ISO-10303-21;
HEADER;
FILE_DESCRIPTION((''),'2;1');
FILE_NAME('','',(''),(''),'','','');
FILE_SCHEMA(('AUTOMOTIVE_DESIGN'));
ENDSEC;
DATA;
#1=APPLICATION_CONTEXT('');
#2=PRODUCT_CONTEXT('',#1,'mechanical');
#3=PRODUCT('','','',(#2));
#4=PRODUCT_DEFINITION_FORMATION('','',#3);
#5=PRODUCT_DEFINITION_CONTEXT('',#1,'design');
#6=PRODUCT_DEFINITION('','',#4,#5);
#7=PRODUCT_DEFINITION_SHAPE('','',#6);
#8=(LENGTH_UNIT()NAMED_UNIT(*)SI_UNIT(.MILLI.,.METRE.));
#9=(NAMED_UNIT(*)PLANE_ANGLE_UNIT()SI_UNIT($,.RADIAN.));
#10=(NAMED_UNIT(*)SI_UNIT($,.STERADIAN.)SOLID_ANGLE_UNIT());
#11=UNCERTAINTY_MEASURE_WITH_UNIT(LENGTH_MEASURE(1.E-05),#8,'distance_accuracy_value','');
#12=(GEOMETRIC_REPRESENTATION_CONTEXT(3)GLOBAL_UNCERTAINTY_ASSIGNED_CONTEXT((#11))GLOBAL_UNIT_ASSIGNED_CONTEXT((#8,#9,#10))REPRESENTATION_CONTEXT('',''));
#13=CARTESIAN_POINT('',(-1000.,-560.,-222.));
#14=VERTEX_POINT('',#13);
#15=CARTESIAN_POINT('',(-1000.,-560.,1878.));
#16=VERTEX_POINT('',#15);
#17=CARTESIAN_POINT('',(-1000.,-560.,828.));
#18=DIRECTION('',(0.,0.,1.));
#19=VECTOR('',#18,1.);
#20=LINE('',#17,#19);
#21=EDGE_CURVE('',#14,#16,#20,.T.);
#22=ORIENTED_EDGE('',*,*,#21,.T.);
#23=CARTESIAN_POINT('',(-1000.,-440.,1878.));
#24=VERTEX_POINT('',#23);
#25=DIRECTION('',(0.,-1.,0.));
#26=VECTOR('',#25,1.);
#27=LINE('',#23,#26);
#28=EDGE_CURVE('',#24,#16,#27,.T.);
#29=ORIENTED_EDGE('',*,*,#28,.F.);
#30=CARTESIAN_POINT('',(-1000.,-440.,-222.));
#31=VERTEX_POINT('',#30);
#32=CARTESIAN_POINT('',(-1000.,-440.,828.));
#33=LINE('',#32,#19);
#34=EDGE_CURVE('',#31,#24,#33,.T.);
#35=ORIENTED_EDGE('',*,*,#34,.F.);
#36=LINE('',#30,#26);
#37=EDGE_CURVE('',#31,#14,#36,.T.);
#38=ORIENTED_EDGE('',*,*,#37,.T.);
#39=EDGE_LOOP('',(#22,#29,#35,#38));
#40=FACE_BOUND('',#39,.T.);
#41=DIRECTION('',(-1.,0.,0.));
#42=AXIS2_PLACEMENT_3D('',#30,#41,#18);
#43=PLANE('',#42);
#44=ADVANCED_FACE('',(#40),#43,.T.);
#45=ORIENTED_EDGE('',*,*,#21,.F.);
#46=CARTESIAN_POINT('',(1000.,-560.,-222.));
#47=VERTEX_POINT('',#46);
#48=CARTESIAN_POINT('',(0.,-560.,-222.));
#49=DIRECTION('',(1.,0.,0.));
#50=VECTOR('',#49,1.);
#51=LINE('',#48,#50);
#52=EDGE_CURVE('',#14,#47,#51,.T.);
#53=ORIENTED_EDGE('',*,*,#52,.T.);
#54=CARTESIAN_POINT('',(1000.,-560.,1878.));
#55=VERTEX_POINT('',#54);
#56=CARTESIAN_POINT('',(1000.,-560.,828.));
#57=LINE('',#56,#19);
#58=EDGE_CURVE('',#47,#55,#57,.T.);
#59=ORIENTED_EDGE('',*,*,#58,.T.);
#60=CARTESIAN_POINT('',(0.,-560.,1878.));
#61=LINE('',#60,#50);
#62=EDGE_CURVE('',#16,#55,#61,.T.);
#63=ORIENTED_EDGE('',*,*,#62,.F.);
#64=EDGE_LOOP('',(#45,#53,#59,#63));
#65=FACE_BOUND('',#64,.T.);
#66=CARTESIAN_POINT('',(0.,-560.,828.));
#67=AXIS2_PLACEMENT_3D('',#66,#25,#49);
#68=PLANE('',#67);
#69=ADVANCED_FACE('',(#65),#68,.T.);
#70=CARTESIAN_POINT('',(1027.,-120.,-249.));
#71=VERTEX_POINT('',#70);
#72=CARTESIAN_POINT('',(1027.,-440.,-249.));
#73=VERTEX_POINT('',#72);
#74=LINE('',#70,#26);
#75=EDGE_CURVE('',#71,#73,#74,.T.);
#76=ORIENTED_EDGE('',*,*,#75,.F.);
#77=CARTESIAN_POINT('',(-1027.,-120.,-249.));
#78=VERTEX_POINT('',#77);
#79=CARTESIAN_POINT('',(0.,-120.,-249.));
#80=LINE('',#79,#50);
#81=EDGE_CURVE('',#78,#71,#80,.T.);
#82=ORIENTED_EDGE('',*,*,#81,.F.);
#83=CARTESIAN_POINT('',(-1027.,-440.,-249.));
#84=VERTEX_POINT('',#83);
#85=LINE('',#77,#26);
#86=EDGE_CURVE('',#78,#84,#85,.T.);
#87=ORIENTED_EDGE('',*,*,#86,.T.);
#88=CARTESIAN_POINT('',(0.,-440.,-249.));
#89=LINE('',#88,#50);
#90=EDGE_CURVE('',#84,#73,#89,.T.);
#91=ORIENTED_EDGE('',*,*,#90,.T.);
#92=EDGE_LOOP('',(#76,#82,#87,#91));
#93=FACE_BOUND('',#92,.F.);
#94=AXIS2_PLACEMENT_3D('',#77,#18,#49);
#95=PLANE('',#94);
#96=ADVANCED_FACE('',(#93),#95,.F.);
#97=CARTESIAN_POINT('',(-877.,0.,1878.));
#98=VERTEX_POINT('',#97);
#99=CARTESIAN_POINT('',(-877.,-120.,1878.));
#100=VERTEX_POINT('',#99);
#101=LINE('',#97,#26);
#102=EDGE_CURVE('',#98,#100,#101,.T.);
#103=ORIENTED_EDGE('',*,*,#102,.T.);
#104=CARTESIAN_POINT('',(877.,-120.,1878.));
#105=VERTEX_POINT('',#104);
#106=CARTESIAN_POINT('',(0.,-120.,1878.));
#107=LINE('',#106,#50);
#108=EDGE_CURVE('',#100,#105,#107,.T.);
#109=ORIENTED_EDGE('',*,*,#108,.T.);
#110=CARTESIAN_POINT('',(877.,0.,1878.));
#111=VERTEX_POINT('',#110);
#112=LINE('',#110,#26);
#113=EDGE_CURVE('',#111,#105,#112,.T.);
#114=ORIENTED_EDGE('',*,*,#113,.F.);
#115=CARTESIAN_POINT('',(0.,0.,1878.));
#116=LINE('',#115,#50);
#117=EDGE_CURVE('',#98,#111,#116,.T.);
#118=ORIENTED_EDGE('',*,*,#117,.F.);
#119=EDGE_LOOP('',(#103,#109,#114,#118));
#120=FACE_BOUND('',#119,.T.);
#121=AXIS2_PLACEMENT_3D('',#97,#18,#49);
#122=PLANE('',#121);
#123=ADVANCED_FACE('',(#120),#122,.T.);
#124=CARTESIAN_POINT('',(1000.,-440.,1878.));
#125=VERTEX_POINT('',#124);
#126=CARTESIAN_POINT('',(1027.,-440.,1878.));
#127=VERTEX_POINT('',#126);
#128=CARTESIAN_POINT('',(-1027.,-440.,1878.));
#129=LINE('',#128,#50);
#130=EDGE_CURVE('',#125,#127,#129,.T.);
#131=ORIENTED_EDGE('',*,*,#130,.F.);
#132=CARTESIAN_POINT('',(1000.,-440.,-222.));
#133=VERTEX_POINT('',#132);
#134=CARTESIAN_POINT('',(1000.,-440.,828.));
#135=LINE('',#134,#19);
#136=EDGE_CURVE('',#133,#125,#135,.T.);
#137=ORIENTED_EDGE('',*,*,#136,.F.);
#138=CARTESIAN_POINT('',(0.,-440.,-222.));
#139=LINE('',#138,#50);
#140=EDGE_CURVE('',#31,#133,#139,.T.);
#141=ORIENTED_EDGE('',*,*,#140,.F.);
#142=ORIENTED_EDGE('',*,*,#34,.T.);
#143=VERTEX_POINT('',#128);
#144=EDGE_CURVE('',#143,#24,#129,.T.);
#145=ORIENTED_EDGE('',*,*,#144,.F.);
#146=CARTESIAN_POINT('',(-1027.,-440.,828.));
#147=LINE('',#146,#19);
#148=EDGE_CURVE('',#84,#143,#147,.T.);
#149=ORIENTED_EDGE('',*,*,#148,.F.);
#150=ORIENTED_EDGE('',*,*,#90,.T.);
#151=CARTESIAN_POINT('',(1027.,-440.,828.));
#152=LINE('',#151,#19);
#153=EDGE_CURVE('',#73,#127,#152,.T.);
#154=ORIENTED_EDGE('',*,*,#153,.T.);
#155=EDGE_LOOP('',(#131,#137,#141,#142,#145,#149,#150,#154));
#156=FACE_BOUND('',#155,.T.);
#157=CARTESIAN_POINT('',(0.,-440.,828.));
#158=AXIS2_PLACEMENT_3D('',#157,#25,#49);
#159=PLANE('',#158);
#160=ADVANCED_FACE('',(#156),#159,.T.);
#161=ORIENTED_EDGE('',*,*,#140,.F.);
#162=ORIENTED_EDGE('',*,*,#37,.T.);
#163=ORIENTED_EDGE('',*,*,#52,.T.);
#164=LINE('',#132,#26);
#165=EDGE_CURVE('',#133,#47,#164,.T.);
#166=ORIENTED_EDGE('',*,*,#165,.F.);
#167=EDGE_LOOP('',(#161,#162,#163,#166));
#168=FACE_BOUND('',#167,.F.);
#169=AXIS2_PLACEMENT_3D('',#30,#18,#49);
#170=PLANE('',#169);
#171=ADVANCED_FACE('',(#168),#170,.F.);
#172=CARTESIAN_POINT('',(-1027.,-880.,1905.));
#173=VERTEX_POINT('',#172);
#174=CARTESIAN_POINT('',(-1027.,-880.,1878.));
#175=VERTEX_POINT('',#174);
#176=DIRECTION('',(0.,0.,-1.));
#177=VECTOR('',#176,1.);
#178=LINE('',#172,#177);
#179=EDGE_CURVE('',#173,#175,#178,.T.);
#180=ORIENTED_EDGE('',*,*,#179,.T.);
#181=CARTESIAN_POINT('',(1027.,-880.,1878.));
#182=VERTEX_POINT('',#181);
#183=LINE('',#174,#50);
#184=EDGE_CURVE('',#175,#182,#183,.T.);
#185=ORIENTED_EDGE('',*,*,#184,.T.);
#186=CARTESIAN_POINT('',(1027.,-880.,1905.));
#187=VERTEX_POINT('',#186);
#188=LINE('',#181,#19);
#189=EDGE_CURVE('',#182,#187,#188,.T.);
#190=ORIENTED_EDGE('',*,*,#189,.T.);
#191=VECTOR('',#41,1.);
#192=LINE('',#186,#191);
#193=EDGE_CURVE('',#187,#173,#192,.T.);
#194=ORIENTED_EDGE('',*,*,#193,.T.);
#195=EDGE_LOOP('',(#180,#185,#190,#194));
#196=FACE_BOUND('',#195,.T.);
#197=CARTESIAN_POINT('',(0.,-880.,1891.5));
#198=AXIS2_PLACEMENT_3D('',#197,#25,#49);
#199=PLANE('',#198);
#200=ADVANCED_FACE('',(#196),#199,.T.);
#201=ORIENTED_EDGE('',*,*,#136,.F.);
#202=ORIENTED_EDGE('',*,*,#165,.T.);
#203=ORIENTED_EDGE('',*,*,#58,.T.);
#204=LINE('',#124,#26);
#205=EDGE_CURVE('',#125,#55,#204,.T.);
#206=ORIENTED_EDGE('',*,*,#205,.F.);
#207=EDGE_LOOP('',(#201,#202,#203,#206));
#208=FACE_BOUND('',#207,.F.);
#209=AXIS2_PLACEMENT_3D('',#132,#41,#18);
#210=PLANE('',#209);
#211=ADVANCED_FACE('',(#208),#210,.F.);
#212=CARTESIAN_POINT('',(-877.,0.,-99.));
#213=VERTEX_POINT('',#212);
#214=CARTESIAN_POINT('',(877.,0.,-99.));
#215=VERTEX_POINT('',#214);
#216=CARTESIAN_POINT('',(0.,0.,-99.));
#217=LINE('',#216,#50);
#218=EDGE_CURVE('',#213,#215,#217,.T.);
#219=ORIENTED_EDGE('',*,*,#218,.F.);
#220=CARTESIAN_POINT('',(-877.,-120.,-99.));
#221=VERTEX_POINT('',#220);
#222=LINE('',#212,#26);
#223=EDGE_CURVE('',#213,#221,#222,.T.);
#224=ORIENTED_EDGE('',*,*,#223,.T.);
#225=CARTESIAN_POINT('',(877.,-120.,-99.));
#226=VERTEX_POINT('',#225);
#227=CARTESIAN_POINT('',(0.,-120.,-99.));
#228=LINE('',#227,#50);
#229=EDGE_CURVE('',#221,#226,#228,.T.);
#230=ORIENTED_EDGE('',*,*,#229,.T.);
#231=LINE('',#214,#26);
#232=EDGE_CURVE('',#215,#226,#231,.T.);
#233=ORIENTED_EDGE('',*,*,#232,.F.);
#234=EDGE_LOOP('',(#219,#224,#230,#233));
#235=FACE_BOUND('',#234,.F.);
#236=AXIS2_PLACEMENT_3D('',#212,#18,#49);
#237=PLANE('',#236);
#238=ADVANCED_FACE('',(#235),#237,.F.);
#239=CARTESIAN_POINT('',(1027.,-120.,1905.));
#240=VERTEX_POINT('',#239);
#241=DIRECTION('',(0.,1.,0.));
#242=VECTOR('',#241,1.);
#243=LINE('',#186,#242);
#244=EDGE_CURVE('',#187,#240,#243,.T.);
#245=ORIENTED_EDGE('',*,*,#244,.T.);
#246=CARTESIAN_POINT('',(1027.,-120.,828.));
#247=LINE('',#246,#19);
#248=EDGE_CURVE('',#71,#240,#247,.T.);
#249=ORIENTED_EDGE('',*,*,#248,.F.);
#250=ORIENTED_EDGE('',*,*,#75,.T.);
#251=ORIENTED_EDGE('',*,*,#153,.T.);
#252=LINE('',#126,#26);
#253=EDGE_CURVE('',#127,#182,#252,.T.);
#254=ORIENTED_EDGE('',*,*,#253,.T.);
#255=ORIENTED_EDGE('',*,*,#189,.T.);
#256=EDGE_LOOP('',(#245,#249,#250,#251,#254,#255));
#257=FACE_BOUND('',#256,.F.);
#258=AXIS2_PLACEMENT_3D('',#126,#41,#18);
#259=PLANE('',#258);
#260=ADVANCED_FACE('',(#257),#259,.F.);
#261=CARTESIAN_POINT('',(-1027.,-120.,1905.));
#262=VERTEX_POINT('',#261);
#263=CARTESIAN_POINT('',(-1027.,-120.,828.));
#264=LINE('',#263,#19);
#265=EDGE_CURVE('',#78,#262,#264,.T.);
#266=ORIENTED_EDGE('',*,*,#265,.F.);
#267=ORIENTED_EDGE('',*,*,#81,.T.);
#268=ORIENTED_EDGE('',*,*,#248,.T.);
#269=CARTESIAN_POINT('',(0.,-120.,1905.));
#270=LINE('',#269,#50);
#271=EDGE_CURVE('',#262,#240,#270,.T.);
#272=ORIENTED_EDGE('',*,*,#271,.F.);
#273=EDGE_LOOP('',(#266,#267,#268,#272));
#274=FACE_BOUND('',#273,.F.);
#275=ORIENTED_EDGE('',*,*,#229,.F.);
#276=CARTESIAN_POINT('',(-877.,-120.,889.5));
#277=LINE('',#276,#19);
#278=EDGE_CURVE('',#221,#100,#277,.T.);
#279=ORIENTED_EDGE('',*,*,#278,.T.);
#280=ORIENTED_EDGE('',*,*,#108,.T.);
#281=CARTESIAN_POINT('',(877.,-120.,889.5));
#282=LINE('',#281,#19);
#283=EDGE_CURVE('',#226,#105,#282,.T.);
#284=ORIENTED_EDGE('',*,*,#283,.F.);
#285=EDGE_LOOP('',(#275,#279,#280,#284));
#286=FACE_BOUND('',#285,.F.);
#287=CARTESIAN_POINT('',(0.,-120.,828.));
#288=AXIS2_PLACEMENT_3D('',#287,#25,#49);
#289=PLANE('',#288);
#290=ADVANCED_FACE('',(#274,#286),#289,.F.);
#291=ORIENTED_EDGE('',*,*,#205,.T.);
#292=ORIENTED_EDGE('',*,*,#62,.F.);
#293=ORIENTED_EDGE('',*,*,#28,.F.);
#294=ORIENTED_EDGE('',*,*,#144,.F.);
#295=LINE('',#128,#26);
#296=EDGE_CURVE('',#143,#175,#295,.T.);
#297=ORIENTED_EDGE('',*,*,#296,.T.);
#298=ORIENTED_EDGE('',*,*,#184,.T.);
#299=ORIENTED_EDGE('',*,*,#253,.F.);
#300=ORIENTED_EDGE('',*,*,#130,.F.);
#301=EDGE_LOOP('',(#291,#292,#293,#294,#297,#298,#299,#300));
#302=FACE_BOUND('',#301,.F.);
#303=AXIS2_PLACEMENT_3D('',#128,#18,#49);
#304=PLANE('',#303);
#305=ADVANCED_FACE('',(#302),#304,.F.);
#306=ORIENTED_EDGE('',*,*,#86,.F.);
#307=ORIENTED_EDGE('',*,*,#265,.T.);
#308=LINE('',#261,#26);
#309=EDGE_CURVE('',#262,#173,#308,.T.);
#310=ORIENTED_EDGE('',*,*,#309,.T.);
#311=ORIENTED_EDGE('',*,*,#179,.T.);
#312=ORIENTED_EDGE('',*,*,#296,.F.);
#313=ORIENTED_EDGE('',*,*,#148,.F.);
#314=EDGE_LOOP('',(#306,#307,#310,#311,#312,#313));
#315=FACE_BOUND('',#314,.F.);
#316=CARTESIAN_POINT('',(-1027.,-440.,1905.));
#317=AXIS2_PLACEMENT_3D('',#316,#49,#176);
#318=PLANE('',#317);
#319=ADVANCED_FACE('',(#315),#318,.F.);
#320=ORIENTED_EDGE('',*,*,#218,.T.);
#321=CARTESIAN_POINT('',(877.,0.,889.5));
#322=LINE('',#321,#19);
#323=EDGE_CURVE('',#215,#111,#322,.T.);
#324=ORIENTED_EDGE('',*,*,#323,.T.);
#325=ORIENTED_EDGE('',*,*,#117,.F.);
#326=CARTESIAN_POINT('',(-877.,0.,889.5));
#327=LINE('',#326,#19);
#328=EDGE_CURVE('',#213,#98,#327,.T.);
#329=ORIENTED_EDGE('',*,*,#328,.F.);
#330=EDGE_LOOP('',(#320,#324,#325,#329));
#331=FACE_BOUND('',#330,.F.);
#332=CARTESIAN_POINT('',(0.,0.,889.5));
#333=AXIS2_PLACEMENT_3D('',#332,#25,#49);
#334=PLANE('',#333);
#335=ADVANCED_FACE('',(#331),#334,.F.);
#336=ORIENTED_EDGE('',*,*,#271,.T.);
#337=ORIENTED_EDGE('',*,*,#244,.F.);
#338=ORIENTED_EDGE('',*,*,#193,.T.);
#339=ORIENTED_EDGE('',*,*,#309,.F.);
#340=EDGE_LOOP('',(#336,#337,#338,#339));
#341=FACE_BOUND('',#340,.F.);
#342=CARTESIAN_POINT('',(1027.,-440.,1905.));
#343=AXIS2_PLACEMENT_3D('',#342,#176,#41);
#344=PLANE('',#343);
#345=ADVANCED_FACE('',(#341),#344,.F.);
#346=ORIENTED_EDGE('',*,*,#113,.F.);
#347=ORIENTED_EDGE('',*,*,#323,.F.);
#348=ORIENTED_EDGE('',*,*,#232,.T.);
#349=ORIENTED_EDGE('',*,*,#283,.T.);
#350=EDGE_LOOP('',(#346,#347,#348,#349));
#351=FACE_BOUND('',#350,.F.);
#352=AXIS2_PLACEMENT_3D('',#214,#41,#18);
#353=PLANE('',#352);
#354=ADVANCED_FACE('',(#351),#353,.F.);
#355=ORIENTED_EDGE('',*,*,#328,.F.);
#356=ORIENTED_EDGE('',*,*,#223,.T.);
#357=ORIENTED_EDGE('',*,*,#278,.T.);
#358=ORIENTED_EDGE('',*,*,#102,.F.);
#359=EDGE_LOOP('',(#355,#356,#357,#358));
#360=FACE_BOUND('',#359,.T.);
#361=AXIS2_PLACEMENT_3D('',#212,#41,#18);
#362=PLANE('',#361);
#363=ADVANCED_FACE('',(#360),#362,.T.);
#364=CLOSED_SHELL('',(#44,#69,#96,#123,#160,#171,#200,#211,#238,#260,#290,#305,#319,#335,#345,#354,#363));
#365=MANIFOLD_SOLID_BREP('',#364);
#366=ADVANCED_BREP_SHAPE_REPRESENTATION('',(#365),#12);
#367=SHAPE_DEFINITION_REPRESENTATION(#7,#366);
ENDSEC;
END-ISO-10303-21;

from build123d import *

# Parameters (mm, degrees)
F1_W     = 1754
F1_H     = 1977
F2_DEPTH = 120
F3_W     = 2054
F3_H     = 2154
F3_W_2   = 1754
F3_H_2   = 1977
F4_DEPTH = 320
F5_W     = 2000
F5_H     = 2100
F6_DEPTH = 120
F8_DEPTH = 440


with BuildPart() as f2:
    # F1 (on face) → F2 (new body)
    with BuildSketch(Plane.XZ):
        with Locations((0, 889.5)):
            Rectangle(F1_W, F1_H)
    extrude(amount=F2_DEPTH)

    # F3 (on face) → F4 (join)
    with BuildSketch(Plane.XZ.offset(120)):
        with Locations((0, 828)):
            Rectangle(F3_W, F3_H)
        with Locations((0, 889.5)):
            Rectangle(F3_W_2, F3_H_2, mode=Mode.SUBTRACT)
        with Locations((0, 889.5)):
            Rectangle(F3_W_2, F3_H_2)
    extrude(amount=F4_DEPTH)

    # F5 (on face) → F6 (join)
    with BuildSketch(Plane.XZ.offset(440)):
        with Locations((0, 828)):
            Rectangle(F5_W, F5_H)
    extrude(amount=F6_DEPTH)

    # F7 (on face) → F8 (join)
    with BuildSketch(Plane.XZ.offset(440)):
        Polygon((1027, 1905), (-1027, 1905), (-1027, 1878), (-1000, 1878), (1000, 1878), (1027, 1878), align=None)
    extrude(amount=F8_DEPTH)


solid = f2.part
